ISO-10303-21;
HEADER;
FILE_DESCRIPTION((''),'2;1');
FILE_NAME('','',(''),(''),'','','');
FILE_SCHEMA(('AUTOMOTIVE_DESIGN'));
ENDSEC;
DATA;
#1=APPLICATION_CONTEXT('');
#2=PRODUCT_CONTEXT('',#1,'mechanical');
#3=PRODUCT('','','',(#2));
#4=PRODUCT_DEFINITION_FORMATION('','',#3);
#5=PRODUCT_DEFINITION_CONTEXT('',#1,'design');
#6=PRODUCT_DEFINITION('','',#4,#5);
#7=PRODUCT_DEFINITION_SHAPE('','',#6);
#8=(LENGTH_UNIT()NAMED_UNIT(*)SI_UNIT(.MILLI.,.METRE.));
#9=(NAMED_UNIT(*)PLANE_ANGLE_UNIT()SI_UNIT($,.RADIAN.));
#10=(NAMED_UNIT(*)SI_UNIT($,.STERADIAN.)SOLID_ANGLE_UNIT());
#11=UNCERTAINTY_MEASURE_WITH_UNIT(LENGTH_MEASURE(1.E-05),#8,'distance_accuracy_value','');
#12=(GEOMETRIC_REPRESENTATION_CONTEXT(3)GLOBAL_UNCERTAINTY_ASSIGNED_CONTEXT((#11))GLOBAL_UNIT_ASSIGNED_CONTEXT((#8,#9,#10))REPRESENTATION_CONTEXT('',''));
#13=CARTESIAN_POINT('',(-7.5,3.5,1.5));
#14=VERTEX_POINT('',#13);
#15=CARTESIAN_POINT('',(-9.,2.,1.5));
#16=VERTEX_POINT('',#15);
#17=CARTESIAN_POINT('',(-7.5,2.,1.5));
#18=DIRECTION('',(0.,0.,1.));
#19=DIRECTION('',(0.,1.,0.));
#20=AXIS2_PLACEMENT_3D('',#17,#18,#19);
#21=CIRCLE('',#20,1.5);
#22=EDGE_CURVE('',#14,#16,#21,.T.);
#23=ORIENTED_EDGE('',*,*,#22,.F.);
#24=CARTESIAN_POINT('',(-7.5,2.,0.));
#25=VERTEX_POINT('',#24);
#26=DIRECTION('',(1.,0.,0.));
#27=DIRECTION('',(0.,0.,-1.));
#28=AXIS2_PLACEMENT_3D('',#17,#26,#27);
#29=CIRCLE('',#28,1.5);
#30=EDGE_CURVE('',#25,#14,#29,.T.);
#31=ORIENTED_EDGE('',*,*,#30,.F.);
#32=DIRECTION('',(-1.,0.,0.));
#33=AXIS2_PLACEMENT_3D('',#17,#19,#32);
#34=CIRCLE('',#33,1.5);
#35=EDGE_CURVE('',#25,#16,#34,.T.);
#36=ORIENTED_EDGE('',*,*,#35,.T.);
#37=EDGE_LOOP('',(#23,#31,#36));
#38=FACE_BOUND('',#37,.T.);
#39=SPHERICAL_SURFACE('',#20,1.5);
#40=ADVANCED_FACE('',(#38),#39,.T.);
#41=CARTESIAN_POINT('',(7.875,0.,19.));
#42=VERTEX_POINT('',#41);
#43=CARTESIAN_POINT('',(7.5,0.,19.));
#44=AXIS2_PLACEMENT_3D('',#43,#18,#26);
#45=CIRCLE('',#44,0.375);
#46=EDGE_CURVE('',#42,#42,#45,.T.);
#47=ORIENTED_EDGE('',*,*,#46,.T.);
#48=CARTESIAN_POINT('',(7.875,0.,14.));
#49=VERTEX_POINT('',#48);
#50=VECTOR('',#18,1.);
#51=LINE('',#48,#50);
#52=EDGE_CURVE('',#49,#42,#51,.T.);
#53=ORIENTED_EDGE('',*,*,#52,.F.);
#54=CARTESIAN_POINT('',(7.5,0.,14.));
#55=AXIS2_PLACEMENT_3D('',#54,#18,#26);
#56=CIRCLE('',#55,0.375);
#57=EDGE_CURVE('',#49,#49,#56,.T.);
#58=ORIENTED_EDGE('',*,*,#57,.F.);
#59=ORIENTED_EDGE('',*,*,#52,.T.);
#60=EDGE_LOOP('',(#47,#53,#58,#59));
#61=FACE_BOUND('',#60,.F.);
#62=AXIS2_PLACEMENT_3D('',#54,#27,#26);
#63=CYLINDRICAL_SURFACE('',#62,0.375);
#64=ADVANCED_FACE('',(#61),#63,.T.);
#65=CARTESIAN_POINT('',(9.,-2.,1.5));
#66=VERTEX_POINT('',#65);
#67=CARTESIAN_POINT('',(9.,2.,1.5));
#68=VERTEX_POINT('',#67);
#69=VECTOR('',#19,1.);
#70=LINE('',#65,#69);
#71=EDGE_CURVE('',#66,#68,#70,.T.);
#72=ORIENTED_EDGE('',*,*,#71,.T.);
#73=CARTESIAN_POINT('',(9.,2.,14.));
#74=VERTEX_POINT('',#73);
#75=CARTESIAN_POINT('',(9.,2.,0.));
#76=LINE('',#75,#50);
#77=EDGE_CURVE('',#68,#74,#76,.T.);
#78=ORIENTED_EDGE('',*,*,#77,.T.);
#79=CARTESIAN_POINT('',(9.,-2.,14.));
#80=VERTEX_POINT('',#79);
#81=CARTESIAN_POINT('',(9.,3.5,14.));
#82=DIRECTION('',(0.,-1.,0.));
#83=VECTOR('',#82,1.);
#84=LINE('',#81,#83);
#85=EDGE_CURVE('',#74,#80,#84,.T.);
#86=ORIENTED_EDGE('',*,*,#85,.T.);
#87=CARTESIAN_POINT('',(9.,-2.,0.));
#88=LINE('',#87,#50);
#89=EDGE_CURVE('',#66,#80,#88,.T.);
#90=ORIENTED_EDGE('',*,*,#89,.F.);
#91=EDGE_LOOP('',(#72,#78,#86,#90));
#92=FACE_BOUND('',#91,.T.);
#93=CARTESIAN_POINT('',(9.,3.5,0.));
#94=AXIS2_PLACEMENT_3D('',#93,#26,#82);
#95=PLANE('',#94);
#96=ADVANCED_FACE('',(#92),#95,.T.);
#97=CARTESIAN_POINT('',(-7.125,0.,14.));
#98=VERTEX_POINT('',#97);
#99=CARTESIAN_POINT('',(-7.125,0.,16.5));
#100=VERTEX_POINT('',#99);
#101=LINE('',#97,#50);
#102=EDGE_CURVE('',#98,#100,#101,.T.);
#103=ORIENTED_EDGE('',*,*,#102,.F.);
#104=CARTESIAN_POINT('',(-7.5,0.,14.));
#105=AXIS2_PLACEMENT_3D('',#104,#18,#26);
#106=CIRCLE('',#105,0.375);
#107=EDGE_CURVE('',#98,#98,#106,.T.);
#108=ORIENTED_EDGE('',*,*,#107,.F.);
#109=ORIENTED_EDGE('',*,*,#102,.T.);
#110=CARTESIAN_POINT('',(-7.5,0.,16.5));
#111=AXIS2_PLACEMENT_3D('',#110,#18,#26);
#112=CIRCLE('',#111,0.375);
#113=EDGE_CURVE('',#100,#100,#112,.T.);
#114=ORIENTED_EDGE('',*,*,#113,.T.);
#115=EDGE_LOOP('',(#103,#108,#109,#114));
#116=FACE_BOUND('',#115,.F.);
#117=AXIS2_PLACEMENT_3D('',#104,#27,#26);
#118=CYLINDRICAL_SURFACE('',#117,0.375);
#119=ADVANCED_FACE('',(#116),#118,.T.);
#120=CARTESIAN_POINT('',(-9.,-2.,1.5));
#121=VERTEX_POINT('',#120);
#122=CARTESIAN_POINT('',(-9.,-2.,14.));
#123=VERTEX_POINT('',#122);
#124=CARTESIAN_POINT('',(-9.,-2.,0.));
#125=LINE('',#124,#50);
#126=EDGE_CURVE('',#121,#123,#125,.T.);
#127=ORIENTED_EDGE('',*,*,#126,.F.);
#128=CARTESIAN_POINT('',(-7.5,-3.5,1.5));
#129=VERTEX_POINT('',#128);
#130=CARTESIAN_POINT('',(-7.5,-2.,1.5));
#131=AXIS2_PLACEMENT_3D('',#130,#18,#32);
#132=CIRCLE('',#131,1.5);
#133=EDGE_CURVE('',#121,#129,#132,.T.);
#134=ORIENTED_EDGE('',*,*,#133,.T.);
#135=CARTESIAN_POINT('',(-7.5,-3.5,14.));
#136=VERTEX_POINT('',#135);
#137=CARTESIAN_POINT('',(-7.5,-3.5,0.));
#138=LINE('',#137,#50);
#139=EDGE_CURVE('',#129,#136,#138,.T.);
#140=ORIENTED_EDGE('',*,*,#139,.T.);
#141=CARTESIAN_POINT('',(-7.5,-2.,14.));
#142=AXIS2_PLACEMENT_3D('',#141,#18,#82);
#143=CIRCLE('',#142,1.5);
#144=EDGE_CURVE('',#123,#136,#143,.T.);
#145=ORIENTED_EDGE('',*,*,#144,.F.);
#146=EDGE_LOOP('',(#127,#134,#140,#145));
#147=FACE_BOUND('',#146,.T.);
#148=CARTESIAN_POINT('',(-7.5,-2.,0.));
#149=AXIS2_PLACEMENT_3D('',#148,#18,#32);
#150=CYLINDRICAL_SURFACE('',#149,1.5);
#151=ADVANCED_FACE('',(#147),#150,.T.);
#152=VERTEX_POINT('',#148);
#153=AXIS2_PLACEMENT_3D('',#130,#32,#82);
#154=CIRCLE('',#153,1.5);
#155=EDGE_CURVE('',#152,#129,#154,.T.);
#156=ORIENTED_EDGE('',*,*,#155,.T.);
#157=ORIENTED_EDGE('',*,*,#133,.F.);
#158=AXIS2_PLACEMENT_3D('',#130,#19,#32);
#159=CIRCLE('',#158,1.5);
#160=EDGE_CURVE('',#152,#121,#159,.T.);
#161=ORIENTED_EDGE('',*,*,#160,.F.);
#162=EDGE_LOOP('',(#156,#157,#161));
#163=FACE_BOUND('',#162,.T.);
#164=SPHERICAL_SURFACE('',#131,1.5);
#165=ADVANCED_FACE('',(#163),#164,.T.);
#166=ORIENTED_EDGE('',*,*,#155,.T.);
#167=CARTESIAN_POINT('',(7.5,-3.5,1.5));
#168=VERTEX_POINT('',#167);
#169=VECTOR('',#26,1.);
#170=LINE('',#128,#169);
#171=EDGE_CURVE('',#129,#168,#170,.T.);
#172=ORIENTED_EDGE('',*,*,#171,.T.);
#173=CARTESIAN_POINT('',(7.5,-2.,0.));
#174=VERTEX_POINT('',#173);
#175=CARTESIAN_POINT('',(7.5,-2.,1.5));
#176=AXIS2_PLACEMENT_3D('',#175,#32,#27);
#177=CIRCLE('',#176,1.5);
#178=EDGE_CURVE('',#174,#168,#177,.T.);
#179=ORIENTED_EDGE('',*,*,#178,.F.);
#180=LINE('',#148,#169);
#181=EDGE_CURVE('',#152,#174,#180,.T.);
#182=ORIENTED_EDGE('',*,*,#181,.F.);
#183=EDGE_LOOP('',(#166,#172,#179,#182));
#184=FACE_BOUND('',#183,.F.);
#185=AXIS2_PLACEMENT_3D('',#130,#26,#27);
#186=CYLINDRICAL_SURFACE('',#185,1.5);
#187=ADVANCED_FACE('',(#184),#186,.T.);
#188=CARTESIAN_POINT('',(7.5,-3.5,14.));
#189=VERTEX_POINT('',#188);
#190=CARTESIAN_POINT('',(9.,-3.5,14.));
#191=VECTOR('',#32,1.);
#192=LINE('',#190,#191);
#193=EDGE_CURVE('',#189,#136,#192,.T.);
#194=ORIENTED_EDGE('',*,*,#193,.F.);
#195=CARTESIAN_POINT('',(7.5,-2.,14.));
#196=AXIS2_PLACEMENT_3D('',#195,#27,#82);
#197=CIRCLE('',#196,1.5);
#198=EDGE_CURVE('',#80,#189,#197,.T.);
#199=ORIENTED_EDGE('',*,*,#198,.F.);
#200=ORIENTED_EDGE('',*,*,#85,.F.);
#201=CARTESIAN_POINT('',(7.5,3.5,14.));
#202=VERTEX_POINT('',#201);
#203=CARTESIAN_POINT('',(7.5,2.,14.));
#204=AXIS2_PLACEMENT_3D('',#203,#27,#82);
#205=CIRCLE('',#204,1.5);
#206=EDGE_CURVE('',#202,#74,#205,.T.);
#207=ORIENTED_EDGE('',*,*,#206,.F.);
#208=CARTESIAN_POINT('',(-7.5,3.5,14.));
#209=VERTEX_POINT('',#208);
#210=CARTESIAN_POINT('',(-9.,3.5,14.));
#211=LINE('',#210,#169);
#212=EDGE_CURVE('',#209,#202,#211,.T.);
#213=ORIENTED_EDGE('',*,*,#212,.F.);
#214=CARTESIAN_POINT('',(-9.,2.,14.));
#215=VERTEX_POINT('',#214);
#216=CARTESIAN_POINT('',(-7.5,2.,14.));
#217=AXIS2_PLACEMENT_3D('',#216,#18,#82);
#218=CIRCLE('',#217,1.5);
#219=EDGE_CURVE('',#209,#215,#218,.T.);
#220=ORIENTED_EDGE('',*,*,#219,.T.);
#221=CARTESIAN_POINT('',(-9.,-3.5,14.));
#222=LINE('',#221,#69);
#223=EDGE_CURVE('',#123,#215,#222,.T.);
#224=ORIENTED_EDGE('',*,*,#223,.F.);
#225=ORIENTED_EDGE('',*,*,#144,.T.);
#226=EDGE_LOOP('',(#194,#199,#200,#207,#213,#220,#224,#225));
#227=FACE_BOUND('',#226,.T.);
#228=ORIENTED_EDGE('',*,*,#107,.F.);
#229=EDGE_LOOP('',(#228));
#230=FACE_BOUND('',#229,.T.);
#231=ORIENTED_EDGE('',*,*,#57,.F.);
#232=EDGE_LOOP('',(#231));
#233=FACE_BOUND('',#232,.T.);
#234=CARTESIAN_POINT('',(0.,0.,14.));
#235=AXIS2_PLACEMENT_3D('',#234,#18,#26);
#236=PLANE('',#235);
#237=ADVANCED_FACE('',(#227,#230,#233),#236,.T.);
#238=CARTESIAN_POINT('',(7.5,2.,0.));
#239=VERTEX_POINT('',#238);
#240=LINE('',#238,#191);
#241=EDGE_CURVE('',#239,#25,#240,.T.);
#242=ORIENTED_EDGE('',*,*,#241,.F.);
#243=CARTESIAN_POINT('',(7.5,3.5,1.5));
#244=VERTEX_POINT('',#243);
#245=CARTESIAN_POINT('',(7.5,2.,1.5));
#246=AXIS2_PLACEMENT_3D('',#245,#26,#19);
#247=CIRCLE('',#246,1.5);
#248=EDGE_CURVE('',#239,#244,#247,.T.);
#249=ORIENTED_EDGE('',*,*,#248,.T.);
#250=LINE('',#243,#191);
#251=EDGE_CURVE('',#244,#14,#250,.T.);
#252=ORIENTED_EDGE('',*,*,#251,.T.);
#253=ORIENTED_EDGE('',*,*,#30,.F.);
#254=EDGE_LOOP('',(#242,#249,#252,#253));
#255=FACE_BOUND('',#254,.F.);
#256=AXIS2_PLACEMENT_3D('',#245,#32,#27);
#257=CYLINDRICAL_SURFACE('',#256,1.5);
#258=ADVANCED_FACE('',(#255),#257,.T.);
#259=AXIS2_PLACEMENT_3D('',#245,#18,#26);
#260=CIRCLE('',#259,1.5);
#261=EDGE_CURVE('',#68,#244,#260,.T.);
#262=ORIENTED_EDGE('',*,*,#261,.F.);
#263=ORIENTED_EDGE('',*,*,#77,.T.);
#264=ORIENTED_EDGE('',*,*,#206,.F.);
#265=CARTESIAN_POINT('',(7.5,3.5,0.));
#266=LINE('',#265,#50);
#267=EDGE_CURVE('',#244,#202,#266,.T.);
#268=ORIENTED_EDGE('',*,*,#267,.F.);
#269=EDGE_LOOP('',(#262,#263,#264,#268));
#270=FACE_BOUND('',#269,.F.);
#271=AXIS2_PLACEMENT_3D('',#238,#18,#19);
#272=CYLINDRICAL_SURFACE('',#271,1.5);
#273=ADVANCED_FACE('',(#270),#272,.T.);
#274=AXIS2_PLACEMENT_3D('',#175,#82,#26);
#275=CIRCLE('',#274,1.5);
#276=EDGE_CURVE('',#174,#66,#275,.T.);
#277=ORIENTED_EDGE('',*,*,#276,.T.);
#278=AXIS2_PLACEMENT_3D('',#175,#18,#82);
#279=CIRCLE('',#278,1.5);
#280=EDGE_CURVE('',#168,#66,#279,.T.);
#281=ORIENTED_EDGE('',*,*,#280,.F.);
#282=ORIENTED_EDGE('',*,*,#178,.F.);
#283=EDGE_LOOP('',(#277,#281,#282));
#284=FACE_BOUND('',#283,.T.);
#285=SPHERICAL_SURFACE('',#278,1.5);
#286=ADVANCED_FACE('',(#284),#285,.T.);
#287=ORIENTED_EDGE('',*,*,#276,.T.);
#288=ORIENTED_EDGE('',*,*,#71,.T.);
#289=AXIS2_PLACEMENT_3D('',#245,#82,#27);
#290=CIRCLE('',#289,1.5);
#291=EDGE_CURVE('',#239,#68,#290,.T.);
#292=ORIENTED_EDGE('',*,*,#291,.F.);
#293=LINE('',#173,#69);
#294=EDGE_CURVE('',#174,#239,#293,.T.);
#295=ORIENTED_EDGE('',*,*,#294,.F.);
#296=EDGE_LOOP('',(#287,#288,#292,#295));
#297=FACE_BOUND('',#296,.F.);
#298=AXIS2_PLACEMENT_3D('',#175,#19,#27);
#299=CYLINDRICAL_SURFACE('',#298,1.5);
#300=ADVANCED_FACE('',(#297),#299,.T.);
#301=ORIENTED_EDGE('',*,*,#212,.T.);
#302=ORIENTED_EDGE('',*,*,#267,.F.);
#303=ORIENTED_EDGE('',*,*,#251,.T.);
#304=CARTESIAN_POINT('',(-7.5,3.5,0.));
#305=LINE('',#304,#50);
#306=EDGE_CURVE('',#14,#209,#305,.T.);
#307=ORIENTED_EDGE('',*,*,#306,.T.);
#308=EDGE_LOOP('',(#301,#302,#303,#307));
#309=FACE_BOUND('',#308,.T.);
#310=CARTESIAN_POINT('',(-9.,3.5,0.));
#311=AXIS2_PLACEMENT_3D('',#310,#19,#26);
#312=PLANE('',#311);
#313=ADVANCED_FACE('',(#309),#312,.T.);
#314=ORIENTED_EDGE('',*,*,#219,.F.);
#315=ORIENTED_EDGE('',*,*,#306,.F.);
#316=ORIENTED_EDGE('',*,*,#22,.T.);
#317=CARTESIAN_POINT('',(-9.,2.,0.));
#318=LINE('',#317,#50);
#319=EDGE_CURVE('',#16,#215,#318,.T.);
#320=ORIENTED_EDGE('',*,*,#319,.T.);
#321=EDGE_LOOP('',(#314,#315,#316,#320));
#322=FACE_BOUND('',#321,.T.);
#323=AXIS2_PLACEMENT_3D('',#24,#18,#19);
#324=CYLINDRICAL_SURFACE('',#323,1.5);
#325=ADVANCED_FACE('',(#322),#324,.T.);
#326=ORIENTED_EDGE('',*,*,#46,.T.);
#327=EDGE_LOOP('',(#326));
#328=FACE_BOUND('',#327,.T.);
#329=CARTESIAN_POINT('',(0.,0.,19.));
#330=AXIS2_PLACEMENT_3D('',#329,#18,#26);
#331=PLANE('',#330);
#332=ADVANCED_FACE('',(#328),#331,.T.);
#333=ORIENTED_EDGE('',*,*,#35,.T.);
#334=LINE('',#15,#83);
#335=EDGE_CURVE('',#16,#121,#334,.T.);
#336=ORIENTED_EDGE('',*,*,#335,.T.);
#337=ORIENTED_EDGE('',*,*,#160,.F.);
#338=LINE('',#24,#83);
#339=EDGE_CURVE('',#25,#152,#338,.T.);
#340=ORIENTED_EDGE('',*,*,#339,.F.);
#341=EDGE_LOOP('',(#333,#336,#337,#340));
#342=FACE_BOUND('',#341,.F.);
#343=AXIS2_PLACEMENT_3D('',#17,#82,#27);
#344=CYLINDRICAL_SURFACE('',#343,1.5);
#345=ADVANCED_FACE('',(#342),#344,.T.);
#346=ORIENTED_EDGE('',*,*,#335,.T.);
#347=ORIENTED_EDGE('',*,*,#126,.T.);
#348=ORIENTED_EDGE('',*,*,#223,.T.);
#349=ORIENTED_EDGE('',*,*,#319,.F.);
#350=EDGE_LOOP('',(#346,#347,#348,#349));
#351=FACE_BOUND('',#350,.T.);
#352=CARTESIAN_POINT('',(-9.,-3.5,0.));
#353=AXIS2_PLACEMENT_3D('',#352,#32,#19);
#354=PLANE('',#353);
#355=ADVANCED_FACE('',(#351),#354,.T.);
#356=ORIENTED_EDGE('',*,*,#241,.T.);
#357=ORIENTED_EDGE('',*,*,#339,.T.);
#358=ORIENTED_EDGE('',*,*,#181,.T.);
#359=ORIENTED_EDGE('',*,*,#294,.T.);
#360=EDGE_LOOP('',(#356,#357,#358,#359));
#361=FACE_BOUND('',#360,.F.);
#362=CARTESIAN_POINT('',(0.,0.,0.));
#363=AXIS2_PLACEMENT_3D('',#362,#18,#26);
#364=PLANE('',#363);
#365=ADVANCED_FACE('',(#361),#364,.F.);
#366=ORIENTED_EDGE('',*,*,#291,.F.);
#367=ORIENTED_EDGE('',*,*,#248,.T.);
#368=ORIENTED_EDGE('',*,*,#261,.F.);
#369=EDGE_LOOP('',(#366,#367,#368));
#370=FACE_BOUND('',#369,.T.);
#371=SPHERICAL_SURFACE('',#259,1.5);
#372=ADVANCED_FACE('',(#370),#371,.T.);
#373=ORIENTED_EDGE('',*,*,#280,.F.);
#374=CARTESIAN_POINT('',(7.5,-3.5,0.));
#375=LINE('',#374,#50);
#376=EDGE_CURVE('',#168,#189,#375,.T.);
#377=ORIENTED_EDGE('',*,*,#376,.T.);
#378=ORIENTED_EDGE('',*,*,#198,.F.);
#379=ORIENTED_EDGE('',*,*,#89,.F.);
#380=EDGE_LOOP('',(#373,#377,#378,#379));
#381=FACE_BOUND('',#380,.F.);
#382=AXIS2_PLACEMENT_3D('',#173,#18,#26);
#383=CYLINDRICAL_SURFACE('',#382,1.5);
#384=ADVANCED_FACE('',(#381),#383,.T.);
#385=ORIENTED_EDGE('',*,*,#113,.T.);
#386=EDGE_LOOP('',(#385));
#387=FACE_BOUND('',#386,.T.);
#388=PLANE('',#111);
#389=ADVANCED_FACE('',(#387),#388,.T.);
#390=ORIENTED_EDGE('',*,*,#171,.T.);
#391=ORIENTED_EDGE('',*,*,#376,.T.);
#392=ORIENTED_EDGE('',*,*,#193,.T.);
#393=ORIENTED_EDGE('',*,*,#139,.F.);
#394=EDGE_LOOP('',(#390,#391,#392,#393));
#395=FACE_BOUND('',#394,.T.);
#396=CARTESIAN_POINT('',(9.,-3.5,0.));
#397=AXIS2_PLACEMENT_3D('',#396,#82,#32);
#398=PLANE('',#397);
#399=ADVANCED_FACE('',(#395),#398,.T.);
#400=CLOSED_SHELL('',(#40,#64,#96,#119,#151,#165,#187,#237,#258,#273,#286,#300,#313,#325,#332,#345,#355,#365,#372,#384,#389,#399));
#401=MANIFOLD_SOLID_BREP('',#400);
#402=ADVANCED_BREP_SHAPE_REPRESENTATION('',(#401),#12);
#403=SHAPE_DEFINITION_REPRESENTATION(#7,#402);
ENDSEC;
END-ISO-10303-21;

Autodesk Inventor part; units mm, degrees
ref_plane "YZ Plane" through (0, 0, 0) normal (1, 0, 0) x (0, 1, 0)
ref_plane "XZ Plane" through (0, 0, 0) normal (0, 1, 0) x (-1, 0, 0)
ref_plane "XY Plane" through (0, 0, 0) normal (0, 0, 1) x (1, 0, 0)
sketch "Skizze1" plane through (0, 0, 0) normal (0, 0, 1) x (1, 0, 0)
  line L0 (-9, 3.5) -> (9, 3.5)
  line L1 (9, 3.5) -> (9, -3.5)
  line L2 (9, -3.5) -> (-9, -3.5)
  line L3 (-9, -3.5) -> (-9, 3.5)
  line L4 (9, -3.5) -> (-9, 3.5) construction
  point P0 (0, 0)
  point P1 (0, 0)
  dimension "d0" = 18
  dimension "d1" = 7
extrude "Extrusion1" add sketch "Skizze1" along normal blind 14
sketch "Skizze2" plane through (0, 0, 14) normal (0, 0, 1) x (1, 0, 0)
  circle A0 centre (-7.5, 0) radius 0.375
  circle A1 centre (7.5, 0) radius 0.375
  line L0 (7.5, 0) -> (-7.5, 0) construction
  point P0 (0, 0)
  point P1 (0, 0)
  dimension "d4" = 15
  dimension "d5" = 0.75
extrude "Extrusion2" add sketch "Skizze2" along normal blind 5
fillet "Rundung1" radius 1.5 4 edges at (9, -3.5, 7) (-9, -3.5, 7) (9, 3.5, 7) (-9, 3.5, 7)
fillet "Rundung2" radius 1.5 8 edges at (-8.5607, -3.0607, 0) (-9, 0, 0) (-8.5607, 3.0607, 0) (0, 3.5, 0) (8.5607, 3.0607, 0) (9, 0, 0) (8.5607, -3.0607, 0) (0, -3.5, 0)
sketch "Skizze3" plane through (-7.5, 0, 19) normal (0, 0, 1) x (1, 0, 0)
  circle A0 centre (0, 0) radius 0.375 projected
  circle A1 centre (15, 0) radius 0.375 projected
  point P0 (7.5, 0)
extrude "Extrusion3" cut sketch "Skizze3" against normal blind 2.5 contours A0
properties part number "MKP4 0,1µF 630VDC (450377)"
